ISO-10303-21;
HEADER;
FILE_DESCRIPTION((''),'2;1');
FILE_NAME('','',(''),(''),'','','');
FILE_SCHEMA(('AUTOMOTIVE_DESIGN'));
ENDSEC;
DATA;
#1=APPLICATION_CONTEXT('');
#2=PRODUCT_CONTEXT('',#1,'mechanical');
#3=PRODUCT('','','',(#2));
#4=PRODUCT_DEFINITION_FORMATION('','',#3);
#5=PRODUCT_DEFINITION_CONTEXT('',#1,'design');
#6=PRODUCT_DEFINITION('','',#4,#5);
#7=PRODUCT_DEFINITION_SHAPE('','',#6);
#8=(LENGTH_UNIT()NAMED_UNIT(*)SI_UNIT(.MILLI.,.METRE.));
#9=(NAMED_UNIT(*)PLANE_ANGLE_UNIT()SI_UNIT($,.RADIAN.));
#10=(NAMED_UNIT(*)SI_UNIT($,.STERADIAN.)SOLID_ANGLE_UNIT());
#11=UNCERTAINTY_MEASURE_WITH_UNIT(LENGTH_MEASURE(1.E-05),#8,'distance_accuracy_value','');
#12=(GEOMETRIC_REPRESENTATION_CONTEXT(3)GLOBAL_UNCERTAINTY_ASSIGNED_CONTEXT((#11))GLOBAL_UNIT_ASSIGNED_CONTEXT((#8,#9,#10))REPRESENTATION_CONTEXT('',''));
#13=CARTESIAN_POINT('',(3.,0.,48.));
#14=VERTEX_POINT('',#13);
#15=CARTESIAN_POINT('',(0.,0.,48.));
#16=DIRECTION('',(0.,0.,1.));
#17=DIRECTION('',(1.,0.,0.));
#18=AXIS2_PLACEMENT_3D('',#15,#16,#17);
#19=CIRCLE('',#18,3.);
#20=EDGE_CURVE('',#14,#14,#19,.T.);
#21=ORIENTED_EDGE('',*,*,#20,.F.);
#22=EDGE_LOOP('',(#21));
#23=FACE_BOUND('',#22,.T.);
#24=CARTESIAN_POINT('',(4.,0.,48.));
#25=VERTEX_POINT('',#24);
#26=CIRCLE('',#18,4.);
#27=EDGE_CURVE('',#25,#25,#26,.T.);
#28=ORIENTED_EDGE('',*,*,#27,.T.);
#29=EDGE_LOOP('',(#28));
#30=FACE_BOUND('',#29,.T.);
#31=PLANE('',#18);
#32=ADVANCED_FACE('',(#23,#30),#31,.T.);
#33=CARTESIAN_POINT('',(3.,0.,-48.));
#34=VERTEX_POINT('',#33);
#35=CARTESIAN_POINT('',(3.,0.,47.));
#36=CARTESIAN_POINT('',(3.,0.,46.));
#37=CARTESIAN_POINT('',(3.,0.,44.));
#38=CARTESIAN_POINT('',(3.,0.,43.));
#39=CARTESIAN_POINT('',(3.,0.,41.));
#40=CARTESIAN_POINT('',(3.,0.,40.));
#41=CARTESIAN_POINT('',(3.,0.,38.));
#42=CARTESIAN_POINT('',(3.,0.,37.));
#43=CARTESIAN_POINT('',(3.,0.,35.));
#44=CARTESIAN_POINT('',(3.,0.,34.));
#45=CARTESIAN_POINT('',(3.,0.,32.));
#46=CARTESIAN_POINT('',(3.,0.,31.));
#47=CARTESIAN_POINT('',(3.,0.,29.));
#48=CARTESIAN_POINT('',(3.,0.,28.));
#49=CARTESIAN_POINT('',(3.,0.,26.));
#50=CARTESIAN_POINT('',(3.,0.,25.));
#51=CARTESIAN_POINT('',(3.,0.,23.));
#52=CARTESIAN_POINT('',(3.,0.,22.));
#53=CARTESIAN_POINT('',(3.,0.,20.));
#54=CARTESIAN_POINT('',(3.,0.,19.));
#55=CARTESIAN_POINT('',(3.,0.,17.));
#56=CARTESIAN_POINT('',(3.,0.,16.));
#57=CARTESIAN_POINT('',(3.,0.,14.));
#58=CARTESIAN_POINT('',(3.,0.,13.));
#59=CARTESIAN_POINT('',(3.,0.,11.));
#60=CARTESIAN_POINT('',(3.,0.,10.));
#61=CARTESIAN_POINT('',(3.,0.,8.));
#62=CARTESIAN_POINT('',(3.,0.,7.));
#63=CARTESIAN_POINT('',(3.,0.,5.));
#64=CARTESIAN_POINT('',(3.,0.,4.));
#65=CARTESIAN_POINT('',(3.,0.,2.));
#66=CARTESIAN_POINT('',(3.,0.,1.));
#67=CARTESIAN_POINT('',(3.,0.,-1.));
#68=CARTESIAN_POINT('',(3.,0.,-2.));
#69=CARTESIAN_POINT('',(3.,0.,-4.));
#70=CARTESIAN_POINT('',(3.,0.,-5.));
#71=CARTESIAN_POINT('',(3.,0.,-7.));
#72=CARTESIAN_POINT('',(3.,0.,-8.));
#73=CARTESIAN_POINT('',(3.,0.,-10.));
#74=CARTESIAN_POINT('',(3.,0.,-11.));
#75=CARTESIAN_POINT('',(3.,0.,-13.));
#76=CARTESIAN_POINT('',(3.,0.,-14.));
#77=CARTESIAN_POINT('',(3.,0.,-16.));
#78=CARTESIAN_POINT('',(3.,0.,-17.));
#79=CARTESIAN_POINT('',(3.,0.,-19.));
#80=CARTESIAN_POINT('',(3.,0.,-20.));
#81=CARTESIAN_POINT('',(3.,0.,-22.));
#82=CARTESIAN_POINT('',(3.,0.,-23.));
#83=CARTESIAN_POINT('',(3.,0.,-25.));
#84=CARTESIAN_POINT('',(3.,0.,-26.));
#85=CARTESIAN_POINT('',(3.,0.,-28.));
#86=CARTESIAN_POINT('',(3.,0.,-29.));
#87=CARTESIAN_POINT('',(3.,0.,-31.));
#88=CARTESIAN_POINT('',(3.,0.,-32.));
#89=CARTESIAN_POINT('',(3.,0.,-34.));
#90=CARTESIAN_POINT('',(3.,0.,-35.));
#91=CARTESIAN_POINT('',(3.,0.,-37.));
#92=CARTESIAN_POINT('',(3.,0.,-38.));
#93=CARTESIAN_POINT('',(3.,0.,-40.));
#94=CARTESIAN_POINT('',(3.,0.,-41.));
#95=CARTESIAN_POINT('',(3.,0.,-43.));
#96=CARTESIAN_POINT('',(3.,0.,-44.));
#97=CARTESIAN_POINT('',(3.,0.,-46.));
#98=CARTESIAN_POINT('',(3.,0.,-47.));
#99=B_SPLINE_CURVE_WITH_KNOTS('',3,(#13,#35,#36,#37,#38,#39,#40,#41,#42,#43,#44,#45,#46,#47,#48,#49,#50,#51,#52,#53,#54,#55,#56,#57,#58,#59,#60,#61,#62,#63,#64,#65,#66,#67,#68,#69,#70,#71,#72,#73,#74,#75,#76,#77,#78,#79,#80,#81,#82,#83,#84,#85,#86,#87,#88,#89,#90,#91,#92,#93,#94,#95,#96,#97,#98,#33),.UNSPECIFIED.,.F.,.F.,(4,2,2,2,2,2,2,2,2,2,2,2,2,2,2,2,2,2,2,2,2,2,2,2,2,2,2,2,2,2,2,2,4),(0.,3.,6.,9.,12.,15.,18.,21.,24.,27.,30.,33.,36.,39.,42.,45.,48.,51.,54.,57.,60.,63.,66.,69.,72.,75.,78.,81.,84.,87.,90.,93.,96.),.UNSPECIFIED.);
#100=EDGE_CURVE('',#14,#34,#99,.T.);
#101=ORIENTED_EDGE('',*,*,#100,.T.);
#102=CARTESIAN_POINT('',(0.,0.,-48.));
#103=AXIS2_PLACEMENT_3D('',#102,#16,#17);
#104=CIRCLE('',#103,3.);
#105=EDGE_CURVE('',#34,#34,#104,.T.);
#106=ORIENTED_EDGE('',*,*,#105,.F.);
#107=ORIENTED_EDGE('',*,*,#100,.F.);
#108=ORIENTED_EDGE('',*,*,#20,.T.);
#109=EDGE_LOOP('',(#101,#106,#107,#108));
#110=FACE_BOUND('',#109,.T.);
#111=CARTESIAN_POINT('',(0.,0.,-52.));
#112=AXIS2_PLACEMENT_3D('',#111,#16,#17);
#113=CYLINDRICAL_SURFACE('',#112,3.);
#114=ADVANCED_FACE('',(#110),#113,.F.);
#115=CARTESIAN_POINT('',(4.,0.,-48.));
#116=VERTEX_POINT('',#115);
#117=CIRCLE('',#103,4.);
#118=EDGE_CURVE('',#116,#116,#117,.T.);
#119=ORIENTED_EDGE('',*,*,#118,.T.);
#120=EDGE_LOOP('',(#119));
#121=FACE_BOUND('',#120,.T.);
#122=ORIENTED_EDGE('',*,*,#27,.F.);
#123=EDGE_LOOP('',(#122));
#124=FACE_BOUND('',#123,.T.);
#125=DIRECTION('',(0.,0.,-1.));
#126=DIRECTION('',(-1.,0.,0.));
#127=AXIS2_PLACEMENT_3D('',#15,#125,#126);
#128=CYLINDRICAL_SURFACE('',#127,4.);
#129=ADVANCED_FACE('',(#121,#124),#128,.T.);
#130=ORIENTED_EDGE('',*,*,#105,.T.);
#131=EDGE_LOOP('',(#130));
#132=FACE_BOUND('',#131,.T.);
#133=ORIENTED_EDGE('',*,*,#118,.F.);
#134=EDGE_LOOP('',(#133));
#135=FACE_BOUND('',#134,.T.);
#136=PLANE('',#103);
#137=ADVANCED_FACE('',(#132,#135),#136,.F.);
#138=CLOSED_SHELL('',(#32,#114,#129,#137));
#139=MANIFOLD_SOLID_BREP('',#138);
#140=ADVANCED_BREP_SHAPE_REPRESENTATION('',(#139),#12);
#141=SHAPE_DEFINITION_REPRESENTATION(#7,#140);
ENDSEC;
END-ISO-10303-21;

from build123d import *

# Parameters (mm, degrees)
SKETCH_1_R          = 4
EXTRUDE_1_DEPTH     = 48
SKETCH_2_R          = 3
CUT_EXTRUDE_1_DEPTH = 100


with BuildPart() as part:
    # 草图1 → 凸台-拉伸1 (new, symmetric)
    with BuildSketch(Plane.XY):
        Circle(SKETCH_1_R)
    extrude(amount=EXTRUDE_1_DEPTH, both=True)

    # 草图2 → 切除-拉伸1 (cut)
    with BuildSketch(Plane.XY.offset(48)):
        Circle(SKETCH_2_R)
    extrude(amount=-CUT_EXTRUDE_1_DEPTH, mode=Mode.SUBTRACT)


solid = part.part
